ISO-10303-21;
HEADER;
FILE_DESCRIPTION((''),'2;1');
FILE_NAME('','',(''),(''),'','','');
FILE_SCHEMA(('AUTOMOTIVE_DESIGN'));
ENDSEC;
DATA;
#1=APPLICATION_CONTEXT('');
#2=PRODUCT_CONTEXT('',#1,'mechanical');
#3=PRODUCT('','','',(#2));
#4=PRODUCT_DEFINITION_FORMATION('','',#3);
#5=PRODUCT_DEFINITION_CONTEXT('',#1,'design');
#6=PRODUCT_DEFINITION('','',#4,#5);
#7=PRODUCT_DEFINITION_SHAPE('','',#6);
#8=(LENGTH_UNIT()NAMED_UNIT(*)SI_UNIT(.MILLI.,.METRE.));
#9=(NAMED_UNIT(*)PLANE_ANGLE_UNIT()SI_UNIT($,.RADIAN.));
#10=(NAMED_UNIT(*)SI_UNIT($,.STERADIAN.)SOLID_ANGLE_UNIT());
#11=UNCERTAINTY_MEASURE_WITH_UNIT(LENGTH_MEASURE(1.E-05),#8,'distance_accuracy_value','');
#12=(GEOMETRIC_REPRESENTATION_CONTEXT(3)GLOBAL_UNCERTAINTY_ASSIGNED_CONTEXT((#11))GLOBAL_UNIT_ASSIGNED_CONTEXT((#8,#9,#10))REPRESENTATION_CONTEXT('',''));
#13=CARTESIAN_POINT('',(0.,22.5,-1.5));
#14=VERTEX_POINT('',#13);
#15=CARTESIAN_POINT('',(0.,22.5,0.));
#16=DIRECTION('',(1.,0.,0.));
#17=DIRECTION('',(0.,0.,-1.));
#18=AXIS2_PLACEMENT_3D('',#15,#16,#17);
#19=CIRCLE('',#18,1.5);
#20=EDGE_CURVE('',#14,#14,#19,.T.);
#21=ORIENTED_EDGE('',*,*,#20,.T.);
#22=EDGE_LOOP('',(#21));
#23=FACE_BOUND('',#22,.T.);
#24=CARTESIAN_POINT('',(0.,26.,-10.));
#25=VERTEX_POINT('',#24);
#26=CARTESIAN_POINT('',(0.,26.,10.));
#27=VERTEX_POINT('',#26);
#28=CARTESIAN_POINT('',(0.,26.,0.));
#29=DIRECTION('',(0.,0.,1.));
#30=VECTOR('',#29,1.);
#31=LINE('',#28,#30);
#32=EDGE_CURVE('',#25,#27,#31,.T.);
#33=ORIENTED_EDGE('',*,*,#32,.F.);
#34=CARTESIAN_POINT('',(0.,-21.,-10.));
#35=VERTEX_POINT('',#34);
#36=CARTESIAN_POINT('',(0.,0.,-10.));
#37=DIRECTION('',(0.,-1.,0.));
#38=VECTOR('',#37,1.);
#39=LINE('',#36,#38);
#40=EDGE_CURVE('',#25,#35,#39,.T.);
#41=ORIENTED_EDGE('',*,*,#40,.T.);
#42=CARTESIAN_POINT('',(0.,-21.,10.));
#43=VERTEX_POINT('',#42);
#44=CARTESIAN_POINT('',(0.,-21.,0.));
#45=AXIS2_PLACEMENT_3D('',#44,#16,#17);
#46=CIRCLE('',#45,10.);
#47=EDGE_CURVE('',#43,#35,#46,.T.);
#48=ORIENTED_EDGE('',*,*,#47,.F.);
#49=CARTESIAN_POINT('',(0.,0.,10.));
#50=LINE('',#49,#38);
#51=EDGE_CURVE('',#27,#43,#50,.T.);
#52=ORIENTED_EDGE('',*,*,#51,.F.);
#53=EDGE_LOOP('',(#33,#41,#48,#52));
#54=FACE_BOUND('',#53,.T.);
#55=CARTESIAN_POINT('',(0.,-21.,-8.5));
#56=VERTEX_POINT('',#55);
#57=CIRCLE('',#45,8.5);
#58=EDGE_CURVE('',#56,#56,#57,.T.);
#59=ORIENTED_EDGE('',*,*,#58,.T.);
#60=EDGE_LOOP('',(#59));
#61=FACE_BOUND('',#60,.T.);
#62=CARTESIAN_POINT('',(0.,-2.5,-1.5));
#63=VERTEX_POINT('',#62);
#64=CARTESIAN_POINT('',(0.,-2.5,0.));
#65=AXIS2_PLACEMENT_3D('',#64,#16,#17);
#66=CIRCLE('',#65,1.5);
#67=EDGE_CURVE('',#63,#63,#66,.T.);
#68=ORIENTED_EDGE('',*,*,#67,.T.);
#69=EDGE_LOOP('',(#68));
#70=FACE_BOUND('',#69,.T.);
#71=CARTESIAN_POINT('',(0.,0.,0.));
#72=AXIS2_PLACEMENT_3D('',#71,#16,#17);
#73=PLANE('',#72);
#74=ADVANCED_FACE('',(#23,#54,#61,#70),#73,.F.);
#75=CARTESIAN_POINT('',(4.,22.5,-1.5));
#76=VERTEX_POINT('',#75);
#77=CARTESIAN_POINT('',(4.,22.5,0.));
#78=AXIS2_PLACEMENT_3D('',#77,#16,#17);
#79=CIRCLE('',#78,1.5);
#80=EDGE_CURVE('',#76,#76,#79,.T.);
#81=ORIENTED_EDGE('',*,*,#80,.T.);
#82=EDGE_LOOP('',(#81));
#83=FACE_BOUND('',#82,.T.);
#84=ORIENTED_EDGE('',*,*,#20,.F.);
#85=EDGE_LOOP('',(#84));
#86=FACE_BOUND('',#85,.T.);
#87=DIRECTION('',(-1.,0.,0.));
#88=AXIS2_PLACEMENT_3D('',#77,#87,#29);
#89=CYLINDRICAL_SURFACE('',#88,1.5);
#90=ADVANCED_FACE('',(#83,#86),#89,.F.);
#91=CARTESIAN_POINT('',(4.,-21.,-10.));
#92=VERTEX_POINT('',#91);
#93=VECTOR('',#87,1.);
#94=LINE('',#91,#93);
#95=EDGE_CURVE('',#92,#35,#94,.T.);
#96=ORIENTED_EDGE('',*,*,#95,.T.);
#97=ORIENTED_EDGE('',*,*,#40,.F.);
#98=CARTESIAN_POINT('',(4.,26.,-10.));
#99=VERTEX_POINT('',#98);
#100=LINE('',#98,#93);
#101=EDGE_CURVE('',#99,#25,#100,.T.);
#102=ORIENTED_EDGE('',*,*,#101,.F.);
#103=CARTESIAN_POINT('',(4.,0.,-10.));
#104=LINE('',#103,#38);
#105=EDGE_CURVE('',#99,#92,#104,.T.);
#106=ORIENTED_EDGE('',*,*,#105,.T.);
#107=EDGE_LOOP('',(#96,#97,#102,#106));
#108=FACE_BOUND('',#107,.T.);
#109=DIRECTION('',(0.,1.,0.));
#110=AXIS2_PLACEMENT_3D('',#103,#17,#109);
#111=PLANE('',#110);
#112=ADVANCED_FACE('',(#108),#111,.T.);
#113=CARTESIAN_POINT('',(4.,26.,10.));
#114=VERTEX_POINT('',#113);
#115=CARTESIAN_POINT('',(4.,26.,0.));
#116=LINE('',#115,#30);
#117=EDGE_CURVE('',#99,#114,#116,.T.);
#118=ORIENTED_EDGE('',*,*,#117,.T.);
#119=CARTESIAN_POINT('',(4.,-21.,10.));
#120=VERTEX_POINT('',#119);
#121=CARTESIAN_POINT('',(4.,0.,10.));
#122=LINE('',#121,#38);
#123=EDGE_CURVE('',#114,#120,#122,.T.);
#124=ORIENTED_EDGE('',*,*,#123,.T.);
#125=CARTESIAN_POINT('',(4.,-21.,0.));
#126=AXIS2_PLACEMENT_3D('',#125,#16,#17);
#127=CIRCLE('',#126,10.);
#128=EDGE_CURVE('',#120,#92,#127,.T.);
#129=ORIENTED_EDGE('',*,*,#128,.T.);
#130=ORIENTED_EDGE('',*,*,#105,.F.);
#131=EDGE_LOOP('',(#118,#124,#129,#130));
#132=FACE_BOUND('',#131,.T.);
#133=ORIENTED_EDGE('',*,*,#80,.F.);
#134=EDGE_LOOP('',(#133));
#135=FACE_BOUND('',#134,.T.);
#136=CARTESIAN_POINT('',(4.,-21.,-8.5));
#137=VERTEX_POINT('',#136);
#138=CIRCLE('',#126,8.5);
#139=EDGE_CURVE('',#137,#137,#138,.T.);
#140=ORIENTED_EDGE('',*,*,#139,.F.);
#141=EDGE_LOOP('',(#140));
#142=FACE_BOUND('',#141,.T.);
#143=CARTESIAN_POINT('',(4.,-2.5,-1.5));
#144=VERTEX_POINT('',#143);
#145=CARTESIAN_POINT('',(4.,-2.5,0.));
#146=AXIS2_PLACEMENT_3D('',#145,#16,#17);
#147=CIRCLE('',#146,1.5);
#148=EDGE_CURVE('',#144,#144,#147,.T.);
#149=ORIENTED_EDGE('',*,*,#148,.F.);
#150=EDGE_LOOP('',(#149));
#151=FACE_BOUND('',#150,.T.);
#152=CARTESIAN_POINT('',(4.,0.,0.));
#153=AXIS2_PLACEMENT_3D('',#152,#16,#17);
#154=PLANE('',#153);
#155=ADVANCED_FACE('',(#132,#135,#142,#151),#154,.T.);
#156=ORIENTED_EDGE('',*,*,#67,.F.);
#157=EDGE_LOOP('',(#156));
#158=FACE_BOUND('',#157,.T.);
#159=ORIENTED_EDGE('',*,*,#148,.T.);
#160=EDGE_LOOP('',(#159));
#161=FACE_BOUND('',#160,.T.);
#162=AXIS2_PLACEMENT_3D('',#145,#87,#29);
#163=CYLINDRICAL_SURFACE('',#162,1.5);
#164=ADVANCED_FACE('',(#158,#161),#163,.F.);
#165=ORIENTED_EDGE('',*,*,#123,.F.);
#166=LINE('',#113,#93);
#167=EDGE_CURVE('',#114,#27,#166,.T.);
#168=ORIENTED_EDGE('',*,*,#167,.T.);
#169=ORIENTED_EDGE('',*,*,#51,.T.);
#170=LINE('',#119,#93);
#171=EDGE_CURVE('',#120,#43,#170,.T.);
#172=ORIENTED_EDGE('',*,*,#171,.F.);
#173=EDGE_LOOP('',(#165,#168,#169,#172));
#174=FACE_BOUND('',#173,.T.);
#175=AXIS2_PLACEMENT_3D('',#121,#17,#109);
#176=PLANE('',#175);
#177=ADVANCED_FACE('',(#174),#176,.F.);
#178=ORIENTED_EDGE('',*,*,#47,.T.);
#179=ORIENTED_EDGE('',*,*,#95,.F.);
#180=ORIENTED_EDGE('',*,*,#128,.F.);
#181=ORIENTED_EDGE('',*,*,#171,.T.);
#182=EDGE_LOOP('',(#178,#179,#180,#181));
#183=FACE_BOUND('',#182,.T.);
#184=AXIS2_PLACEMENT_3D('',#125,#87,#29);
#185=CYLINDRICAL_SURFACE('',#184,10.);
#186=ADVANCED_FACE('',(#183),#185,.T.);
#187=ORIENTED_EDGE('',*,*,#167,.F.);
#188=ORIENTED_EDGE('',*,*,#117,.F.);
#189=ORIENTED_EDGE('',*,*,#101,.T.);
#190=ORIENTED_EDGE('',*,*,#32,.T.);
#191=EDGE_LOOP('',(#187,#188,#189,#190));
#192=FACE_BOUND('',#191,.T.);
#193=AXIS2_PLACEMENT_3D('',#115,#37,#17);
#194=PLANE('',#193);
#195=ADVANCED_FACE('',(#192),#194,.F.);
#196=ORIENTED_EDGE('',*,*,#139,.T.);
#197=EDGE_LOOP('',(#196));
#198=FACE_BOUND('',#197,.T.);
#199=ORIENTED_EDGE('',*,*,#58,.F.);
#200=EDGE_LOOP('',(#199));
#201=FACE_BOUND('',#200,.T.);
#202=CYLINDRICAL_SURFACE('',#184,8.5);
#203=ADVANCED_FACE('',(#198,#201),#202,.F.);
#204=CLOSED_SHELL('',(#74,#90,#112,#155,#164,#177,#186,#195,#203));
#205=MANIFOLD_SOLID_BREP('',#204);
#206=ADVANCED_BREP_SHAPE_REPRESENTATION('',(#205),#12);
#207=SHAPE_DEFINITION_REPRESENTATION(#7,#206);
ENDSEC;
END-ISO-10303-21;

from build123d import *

# Parameters (mm, degrees)
SKETCH_1_R      = 1.5
SKETCH_1_R_2    = 8.5
EXTRUDE_1_DEPTH = 4


with BuildPart() as part:
    # 草图1 → 凸台-拉伸1 (new body)
    with BuildSketch(Plane(origin=(0, 0, 0), x_dir=(0, 0, -1), z_dir=(1, 0, 0))):
        with BuildLine():
            Line((-10, 26), (-10, -21))
            ThreePointArc((-10, -21), (0, -31), (10, -21))
            Line((10, -21), (10, 26))
            Line((10, 26), (-10, 26))
        make_face()
        with Locations((0, 22.5)):
            Circle(SKETCH_1_R, mode=Mode.SUBTRACT)
        with Locations((0, -21)):
            Circle(SKETCH_1_R_2, mode=Mode.SUBTRACT)
        with Locations((0, -2.5)):
            Circle(SKETCH_1_R, mode=Mode.SUBTRACT)
    extrude(amount=EXTRUDE_1_DEPTH)


solid = part.part
